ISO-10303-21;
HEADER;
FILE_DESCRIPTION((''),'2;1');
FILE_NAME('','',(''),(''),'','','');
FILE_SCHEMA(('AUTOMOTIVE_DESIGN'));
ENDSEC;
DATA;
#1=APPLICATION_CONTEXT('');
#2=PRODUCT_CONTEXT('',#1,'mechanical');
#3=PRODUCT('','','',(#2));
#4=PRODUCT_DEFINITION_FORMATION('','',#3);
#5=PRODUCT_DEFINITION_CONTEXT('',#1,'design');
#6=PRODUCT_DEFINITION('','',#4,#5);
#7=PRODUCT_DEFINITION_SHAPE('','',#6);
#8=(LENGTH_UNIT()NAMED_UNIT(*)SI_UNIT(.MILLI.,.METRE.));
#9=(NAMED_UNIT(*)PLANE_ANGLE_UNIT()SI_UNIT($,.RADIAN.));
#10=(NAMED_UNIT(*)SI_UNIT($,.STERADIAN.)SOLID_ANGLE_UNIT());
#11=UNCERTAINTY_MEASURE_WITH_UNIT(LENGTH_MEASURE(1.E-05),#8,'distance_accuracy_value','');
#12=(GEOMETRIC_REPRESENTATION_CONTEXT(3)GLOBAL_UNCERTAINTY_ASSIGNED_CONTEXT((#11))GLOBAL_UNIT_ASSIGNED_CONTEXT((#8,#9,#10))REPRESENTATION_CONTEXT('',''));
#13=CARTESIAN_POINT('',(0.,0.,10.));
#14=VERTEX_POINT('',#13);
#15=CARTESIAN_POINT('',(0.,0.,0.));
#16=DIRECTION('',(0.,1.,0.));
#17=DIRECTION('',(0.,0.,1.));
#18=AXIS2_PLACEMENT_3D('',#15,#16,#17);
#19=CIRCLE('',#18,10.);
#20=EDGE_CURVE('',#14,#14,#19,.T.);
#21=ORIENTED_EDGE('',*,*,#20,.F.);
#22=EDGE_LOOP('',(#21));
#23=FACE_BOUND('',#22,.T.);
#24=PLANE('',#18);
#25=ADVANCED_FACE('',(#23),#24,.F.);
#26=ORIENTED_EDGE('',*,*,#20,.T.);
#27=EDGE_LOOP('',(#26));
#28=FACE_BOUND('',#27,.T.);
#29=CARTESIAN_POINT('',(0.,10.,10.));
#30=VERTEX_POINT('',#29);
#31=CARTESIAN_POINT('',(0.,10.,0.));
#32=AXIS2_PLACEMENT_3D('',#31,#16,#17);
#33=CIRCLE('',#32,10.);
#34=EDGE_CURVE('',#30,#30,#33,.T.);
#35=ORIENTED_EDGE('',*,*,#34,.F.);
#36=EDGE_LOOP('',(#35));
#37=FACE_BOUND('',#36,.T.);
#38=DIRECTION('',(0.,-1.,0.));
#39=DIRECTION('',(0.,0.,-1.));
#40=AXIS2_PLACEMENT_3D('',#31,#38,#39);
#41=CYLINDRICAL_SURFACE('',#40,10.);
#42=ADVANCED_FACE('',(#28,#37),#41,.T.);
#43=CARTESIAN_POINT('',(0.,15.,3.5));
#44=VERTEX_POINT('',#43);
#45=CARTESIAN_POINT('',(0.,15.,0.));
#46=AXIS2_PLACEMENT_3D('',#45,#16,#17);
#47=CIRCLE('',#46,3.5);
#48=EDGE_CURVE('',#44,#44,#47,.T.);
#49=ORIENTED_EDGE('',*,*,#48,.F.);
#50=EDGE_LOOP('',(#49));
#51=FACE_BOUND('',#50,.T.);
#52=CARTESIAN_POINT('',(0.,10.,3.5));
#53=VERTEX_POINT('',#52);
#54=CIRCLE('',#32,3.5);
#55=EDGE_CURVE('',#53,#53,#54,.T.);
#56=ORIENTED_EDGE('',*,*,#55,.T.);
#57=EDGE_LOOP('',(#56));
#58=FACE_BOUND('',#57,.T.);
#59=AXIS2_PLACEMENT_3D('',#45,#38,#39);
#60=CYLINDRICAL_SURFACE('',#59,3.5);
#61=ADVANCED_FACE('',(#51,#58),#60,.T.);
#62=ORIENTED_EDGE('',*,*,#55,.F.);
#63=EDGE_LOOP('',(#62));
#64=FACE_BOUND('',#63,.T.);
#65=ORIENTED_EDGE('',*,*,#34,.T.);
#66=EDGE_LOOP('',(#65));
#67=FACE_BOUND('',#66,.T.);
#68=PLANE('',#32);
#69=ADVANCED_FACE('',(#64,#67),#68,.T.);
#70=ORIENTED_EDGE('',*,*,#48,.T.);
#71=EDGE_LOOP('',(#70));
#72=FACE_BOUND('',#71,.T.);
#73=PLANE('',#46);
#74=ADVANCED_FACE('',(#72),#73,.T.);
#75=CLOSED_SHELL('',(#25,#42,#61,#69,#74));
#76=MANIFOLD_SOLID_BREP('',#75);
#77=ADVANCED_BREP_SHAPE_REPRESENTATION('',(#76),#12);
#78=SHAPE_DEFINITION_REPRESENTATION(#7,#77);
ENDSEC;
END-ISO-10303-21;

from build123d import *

# Parameters (mm, degrees)
SKETCH2_R           = 10
BOSS_EXTRUDE1_DEPTH = 10
SKETCH3_R           = 3.5
BOSS_EXTRUDE3_DEPTH = 5


with BuildPart() as part:
    # Sketch2 → Boss-Extrude1 (new body)
    with BuildSketch(Plane(origin=(0, 0, 0), x_dir=(1, 0, 0), z_dir=(0, 1, 0))):
        with Locations(Location((0, 0, 0), (0, 0, 270))):
            Circle(SKETCH2_R)
    extrude(amount=BOSS_EXTRUDE1_DEPTH)

    # Sketch3 → Boss-Extrude3 (add)
    with BuildSketch(Plane(origin=(0, 10, 0), x_dir=(1, 0, 0), z_dir=(0, 1, 0))):
        with Locations(Location((0, 0, 0), (0, 0, 270))):
            Circle(SKETCH3_R)
    extrude(amount=BOSS_EXTRUDE3_DEPTH)


solid = part.part
